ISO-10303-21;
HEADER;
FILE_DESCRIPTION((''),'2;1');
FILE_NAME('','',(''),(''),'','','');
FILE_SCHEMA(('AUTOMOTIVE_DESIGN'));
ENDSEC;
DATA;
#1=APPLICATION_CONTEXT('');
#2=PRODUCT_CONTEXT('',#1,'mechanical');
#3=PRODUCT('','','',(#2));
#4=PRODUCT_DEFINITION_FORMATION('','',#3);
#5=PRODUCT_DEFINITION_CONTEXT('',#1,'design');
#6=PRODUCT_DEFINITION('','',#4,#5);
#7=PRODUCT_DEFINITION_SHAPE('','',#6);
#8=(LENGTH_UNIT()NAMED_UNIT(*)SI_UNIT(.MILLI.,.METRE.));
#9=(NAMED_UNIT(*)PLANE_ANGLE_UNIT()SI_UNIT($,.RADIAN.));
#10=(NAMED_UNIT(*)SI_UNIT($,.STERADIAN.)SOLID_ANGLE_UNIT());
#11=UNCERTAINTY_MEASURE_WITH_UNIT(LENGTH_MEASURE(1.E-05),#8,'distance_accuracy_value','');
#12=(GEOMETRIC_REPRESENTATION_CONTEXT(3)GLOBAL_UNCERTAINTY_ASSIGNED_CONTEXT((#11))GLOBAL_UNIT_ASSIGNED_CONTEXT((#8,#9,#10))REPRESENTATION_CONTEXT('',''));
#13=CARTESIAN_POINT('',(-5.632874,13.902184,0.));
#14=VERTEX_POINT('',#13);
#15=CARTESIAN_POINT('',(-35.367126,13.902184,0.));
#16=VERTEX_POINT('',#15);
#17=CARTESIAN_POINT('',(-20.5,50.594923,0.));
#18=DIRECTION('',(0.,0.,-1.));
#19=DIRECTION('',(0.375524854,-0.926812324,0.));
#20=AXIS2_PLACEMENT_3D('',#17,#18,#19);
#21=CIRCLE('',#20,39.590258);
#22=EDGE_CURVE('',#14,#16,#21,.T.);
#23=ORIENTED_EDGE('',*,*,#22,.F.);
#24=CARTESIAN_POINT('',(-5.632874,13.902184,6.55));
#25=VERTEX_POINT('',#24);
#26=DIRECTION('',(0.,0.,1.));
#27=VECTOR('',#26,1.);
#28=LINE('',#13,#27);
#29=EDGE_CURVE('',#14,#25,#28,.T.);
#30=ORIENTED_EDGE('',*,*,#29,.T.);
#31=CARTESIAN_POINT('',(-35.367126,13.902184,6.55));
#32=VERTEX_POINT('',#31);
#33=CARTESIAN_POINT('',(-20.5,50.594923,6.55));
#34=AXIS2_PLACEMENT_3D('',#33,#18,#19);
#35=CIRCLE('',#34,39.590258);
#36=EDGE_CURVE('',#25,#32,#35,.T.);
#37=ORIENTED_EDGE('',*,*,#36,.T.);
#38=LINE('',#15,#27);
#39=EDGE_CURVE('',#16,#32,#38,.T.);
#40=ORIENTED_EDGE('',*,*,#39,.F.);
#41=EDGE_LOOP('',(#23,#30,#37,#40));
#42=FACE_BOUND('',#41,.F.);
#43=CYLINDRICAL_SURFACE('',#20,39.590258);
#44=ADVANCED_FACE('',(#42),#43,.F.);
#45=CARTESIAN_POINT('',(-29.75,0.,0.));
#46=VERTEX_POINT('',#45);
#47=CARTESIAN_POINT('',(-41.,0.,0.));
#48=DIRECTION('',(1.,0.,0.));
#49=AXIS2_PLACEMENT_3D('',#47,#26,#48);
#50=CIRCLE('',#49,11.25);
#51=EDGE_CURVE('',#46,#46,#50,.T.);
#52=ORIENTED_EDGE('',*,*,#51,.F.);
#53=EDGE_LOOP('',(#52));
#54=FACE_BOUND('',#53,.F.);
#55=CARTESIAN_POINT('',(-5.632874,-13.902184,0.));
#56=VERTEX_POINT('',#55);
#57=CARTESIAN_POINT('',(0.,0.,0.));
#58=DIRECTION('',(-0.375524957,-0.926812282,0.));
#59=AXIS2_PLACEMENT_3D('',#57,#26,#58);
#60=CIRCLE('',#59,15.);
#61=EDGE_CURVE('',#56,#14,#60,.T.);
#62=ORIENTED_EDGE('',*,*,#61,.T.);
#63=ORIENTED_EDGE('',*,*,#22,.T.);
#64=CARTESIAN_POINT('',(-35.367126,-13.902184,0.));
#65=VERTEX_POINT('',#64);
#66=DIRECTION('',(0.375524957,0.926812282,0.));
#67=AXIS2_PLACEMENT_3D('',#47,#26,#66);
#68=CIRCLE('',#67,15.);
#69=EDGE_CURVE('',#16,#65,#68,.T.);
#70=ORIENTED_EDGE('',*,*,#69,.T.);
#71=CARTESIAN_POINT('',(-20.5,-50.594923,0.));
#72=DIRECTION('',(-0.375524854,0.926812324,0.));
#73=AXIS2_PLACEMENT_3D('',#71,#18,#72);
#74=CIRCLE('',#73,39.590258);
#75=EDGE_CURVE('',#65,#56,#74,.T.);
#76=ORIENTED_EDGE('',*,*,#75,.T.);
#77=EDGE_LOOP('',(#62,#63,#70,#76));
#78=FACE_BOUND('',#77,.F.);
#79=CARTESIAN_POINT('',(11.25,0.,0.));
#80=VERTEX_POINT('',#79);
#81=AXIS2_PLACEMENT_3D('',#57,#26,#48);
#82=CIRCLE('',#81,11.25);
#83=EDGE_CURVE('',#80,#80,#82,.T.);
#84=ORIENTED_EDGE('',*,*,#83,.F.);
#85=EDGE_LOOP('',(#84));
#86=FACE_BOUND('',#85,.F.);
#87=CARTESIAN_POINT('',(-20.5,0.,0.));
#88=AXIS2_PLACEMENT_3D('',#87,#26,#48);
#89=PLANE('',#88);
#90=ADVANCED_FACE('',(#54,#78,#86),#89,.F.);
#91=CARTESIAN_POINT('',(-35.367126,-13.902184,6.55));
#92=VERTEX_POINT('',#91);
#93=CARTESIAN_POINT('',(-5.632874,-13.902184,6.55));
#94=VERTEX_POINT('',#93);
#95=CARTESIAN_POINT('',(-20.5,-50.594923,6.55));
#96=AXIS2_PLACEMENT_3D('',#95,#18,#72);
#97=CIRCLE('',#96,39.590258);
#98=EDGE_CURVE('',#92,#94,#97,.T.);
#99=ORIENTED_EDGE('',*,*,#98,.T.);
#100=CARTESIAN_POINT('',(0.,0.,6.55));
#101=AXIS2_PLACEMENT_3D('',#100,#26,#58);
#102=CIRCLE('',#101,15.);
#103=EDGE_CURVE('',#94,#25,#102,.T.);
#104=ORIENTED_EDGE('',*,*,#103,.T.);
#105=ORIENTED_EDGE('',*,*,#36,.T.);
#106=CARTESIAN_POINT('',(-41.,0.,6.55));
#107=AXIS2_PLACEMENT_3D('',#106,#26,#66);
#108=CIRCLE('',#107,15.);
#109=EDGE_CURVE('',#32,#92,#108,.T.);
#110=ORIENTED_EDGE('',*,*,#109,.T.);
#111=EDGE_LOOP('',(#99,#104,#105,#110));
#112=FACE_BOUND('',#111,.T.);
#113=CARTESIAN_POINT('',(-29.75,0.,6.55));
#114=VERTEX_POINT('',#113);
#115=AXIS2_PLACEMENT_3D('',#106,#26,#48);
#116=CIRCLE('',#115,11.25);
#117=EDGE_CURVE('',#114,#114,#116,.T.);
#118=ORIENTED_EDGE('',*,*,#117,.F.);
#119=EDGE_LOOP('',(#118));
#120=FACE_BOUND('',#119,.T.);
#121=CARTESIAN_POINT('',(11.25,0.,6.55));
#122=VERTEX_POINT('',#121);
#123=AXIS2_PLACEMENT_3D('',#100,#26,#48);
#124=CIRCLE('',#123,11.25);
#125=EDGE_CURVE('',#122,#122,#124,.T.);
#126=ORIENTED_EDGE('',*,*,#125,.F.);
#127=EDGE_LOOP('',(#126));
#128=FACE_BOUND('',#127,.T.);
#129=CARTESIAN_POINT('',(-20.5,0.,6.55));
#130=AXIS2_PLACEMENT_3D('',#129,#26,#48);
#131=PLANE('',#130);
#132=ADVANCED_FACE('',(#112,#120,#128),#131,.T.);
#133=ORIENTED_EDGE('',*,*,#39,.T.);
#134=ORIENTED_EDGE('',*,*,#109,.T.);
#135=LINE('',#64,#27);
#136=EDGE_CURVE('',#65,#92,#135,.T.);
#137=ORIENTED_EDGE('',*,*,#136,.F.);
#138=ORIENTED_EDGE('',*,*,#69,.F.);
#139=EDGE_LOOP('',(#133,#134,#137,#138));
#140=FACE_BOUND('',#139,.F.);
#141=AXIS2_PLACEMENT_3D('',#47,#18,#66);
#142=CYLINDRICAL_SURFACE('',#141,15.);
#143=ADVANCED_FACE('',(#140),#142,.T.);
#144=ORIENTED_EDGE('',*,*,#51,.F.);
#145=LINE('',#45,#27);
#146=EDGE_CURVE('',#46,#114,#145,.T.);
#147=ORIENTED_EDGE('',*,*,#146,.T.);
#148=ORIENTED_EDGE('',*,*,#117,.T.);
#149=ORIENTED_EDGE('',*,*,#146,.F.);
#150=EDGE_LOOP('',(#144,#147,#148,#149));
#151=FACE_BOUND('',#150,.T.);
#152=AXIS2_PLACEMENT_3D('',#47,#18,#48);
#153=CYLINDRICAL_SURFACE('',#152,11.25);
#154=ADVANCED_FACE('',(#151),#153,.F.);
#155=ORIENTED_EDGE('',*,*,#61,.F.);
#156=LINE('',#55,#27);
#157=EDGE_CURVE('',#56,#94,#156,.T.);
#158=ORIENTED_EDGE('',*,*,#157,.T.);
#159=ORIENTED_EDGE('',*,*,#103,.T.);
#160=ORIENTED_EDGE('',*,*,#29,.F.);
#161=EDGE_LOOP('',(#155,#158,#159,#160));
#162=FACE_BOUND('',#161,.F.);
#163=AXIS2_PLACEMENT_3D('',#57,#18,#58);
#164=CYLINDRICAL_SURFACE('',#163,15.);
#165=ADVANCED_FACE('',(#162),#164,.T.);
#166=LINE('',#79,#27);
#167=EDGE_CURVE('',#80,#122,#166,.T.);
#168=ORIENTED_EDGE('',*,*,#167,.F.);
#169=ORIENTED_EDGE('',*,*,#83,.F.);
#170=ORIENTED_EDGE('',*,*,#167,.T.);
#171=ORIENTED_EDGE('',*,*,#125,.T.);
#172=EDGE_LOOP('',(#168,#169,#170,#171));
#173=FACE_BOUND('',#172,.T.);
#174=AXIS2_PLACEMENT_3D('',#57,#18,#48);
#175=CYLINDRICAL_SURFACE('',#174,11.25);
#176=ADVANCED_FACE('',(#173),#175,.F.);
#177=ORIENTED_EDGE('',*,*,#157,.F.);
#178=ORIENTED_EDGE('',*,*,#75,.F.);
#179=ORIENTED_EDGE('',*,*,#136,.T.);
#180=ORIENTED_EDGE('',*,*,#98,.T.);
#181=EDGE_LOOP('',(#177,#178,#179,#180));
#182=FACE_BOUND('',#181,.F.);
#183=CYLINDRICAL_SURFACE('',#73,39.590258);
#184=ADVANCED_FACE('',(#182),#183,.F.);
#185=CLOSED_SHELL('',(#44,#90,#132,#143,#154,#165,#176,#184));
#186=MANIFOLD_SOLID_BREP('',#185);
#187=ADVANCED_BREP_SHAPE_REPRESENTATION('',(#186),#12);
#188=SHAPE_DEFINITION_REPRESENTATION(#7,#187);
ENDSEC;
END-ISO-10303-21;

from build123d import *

# Parameters (mm, degrees)
F0_R     = 11.25
F1_DEPTH = 6.55


with BuildPart() as f1:
    # F0 (on Top) → F1 (new body)
    with BuildSketch(Plane.XY):
        with BuildLine():
            ThreePointArc((-35.367126, -13.902184), (-20.5, -11.004665), (-5.632874, -13.902184))
            ThreePointArc((-5.632874, -13.902184), (15, 0), (-5.632874, 13.902184))
            ThreePointArc((-5.632874, 13.902184), (-20.5, 11.004665), (-35.367126, 13.902184))
            ThreePointArc((-35.367126, 13.902184), (-56, 0), (-35.367126, -13.902184))
        make_face()
        with Locations((-41, 0)):
            Circle(F0_R, mode=Mode.SUBTRACT)
        Circle(F0_R, mode=Mode.SUBTRACT)
    extrude(amount=F1_DEPTH)


solid = f1.part
